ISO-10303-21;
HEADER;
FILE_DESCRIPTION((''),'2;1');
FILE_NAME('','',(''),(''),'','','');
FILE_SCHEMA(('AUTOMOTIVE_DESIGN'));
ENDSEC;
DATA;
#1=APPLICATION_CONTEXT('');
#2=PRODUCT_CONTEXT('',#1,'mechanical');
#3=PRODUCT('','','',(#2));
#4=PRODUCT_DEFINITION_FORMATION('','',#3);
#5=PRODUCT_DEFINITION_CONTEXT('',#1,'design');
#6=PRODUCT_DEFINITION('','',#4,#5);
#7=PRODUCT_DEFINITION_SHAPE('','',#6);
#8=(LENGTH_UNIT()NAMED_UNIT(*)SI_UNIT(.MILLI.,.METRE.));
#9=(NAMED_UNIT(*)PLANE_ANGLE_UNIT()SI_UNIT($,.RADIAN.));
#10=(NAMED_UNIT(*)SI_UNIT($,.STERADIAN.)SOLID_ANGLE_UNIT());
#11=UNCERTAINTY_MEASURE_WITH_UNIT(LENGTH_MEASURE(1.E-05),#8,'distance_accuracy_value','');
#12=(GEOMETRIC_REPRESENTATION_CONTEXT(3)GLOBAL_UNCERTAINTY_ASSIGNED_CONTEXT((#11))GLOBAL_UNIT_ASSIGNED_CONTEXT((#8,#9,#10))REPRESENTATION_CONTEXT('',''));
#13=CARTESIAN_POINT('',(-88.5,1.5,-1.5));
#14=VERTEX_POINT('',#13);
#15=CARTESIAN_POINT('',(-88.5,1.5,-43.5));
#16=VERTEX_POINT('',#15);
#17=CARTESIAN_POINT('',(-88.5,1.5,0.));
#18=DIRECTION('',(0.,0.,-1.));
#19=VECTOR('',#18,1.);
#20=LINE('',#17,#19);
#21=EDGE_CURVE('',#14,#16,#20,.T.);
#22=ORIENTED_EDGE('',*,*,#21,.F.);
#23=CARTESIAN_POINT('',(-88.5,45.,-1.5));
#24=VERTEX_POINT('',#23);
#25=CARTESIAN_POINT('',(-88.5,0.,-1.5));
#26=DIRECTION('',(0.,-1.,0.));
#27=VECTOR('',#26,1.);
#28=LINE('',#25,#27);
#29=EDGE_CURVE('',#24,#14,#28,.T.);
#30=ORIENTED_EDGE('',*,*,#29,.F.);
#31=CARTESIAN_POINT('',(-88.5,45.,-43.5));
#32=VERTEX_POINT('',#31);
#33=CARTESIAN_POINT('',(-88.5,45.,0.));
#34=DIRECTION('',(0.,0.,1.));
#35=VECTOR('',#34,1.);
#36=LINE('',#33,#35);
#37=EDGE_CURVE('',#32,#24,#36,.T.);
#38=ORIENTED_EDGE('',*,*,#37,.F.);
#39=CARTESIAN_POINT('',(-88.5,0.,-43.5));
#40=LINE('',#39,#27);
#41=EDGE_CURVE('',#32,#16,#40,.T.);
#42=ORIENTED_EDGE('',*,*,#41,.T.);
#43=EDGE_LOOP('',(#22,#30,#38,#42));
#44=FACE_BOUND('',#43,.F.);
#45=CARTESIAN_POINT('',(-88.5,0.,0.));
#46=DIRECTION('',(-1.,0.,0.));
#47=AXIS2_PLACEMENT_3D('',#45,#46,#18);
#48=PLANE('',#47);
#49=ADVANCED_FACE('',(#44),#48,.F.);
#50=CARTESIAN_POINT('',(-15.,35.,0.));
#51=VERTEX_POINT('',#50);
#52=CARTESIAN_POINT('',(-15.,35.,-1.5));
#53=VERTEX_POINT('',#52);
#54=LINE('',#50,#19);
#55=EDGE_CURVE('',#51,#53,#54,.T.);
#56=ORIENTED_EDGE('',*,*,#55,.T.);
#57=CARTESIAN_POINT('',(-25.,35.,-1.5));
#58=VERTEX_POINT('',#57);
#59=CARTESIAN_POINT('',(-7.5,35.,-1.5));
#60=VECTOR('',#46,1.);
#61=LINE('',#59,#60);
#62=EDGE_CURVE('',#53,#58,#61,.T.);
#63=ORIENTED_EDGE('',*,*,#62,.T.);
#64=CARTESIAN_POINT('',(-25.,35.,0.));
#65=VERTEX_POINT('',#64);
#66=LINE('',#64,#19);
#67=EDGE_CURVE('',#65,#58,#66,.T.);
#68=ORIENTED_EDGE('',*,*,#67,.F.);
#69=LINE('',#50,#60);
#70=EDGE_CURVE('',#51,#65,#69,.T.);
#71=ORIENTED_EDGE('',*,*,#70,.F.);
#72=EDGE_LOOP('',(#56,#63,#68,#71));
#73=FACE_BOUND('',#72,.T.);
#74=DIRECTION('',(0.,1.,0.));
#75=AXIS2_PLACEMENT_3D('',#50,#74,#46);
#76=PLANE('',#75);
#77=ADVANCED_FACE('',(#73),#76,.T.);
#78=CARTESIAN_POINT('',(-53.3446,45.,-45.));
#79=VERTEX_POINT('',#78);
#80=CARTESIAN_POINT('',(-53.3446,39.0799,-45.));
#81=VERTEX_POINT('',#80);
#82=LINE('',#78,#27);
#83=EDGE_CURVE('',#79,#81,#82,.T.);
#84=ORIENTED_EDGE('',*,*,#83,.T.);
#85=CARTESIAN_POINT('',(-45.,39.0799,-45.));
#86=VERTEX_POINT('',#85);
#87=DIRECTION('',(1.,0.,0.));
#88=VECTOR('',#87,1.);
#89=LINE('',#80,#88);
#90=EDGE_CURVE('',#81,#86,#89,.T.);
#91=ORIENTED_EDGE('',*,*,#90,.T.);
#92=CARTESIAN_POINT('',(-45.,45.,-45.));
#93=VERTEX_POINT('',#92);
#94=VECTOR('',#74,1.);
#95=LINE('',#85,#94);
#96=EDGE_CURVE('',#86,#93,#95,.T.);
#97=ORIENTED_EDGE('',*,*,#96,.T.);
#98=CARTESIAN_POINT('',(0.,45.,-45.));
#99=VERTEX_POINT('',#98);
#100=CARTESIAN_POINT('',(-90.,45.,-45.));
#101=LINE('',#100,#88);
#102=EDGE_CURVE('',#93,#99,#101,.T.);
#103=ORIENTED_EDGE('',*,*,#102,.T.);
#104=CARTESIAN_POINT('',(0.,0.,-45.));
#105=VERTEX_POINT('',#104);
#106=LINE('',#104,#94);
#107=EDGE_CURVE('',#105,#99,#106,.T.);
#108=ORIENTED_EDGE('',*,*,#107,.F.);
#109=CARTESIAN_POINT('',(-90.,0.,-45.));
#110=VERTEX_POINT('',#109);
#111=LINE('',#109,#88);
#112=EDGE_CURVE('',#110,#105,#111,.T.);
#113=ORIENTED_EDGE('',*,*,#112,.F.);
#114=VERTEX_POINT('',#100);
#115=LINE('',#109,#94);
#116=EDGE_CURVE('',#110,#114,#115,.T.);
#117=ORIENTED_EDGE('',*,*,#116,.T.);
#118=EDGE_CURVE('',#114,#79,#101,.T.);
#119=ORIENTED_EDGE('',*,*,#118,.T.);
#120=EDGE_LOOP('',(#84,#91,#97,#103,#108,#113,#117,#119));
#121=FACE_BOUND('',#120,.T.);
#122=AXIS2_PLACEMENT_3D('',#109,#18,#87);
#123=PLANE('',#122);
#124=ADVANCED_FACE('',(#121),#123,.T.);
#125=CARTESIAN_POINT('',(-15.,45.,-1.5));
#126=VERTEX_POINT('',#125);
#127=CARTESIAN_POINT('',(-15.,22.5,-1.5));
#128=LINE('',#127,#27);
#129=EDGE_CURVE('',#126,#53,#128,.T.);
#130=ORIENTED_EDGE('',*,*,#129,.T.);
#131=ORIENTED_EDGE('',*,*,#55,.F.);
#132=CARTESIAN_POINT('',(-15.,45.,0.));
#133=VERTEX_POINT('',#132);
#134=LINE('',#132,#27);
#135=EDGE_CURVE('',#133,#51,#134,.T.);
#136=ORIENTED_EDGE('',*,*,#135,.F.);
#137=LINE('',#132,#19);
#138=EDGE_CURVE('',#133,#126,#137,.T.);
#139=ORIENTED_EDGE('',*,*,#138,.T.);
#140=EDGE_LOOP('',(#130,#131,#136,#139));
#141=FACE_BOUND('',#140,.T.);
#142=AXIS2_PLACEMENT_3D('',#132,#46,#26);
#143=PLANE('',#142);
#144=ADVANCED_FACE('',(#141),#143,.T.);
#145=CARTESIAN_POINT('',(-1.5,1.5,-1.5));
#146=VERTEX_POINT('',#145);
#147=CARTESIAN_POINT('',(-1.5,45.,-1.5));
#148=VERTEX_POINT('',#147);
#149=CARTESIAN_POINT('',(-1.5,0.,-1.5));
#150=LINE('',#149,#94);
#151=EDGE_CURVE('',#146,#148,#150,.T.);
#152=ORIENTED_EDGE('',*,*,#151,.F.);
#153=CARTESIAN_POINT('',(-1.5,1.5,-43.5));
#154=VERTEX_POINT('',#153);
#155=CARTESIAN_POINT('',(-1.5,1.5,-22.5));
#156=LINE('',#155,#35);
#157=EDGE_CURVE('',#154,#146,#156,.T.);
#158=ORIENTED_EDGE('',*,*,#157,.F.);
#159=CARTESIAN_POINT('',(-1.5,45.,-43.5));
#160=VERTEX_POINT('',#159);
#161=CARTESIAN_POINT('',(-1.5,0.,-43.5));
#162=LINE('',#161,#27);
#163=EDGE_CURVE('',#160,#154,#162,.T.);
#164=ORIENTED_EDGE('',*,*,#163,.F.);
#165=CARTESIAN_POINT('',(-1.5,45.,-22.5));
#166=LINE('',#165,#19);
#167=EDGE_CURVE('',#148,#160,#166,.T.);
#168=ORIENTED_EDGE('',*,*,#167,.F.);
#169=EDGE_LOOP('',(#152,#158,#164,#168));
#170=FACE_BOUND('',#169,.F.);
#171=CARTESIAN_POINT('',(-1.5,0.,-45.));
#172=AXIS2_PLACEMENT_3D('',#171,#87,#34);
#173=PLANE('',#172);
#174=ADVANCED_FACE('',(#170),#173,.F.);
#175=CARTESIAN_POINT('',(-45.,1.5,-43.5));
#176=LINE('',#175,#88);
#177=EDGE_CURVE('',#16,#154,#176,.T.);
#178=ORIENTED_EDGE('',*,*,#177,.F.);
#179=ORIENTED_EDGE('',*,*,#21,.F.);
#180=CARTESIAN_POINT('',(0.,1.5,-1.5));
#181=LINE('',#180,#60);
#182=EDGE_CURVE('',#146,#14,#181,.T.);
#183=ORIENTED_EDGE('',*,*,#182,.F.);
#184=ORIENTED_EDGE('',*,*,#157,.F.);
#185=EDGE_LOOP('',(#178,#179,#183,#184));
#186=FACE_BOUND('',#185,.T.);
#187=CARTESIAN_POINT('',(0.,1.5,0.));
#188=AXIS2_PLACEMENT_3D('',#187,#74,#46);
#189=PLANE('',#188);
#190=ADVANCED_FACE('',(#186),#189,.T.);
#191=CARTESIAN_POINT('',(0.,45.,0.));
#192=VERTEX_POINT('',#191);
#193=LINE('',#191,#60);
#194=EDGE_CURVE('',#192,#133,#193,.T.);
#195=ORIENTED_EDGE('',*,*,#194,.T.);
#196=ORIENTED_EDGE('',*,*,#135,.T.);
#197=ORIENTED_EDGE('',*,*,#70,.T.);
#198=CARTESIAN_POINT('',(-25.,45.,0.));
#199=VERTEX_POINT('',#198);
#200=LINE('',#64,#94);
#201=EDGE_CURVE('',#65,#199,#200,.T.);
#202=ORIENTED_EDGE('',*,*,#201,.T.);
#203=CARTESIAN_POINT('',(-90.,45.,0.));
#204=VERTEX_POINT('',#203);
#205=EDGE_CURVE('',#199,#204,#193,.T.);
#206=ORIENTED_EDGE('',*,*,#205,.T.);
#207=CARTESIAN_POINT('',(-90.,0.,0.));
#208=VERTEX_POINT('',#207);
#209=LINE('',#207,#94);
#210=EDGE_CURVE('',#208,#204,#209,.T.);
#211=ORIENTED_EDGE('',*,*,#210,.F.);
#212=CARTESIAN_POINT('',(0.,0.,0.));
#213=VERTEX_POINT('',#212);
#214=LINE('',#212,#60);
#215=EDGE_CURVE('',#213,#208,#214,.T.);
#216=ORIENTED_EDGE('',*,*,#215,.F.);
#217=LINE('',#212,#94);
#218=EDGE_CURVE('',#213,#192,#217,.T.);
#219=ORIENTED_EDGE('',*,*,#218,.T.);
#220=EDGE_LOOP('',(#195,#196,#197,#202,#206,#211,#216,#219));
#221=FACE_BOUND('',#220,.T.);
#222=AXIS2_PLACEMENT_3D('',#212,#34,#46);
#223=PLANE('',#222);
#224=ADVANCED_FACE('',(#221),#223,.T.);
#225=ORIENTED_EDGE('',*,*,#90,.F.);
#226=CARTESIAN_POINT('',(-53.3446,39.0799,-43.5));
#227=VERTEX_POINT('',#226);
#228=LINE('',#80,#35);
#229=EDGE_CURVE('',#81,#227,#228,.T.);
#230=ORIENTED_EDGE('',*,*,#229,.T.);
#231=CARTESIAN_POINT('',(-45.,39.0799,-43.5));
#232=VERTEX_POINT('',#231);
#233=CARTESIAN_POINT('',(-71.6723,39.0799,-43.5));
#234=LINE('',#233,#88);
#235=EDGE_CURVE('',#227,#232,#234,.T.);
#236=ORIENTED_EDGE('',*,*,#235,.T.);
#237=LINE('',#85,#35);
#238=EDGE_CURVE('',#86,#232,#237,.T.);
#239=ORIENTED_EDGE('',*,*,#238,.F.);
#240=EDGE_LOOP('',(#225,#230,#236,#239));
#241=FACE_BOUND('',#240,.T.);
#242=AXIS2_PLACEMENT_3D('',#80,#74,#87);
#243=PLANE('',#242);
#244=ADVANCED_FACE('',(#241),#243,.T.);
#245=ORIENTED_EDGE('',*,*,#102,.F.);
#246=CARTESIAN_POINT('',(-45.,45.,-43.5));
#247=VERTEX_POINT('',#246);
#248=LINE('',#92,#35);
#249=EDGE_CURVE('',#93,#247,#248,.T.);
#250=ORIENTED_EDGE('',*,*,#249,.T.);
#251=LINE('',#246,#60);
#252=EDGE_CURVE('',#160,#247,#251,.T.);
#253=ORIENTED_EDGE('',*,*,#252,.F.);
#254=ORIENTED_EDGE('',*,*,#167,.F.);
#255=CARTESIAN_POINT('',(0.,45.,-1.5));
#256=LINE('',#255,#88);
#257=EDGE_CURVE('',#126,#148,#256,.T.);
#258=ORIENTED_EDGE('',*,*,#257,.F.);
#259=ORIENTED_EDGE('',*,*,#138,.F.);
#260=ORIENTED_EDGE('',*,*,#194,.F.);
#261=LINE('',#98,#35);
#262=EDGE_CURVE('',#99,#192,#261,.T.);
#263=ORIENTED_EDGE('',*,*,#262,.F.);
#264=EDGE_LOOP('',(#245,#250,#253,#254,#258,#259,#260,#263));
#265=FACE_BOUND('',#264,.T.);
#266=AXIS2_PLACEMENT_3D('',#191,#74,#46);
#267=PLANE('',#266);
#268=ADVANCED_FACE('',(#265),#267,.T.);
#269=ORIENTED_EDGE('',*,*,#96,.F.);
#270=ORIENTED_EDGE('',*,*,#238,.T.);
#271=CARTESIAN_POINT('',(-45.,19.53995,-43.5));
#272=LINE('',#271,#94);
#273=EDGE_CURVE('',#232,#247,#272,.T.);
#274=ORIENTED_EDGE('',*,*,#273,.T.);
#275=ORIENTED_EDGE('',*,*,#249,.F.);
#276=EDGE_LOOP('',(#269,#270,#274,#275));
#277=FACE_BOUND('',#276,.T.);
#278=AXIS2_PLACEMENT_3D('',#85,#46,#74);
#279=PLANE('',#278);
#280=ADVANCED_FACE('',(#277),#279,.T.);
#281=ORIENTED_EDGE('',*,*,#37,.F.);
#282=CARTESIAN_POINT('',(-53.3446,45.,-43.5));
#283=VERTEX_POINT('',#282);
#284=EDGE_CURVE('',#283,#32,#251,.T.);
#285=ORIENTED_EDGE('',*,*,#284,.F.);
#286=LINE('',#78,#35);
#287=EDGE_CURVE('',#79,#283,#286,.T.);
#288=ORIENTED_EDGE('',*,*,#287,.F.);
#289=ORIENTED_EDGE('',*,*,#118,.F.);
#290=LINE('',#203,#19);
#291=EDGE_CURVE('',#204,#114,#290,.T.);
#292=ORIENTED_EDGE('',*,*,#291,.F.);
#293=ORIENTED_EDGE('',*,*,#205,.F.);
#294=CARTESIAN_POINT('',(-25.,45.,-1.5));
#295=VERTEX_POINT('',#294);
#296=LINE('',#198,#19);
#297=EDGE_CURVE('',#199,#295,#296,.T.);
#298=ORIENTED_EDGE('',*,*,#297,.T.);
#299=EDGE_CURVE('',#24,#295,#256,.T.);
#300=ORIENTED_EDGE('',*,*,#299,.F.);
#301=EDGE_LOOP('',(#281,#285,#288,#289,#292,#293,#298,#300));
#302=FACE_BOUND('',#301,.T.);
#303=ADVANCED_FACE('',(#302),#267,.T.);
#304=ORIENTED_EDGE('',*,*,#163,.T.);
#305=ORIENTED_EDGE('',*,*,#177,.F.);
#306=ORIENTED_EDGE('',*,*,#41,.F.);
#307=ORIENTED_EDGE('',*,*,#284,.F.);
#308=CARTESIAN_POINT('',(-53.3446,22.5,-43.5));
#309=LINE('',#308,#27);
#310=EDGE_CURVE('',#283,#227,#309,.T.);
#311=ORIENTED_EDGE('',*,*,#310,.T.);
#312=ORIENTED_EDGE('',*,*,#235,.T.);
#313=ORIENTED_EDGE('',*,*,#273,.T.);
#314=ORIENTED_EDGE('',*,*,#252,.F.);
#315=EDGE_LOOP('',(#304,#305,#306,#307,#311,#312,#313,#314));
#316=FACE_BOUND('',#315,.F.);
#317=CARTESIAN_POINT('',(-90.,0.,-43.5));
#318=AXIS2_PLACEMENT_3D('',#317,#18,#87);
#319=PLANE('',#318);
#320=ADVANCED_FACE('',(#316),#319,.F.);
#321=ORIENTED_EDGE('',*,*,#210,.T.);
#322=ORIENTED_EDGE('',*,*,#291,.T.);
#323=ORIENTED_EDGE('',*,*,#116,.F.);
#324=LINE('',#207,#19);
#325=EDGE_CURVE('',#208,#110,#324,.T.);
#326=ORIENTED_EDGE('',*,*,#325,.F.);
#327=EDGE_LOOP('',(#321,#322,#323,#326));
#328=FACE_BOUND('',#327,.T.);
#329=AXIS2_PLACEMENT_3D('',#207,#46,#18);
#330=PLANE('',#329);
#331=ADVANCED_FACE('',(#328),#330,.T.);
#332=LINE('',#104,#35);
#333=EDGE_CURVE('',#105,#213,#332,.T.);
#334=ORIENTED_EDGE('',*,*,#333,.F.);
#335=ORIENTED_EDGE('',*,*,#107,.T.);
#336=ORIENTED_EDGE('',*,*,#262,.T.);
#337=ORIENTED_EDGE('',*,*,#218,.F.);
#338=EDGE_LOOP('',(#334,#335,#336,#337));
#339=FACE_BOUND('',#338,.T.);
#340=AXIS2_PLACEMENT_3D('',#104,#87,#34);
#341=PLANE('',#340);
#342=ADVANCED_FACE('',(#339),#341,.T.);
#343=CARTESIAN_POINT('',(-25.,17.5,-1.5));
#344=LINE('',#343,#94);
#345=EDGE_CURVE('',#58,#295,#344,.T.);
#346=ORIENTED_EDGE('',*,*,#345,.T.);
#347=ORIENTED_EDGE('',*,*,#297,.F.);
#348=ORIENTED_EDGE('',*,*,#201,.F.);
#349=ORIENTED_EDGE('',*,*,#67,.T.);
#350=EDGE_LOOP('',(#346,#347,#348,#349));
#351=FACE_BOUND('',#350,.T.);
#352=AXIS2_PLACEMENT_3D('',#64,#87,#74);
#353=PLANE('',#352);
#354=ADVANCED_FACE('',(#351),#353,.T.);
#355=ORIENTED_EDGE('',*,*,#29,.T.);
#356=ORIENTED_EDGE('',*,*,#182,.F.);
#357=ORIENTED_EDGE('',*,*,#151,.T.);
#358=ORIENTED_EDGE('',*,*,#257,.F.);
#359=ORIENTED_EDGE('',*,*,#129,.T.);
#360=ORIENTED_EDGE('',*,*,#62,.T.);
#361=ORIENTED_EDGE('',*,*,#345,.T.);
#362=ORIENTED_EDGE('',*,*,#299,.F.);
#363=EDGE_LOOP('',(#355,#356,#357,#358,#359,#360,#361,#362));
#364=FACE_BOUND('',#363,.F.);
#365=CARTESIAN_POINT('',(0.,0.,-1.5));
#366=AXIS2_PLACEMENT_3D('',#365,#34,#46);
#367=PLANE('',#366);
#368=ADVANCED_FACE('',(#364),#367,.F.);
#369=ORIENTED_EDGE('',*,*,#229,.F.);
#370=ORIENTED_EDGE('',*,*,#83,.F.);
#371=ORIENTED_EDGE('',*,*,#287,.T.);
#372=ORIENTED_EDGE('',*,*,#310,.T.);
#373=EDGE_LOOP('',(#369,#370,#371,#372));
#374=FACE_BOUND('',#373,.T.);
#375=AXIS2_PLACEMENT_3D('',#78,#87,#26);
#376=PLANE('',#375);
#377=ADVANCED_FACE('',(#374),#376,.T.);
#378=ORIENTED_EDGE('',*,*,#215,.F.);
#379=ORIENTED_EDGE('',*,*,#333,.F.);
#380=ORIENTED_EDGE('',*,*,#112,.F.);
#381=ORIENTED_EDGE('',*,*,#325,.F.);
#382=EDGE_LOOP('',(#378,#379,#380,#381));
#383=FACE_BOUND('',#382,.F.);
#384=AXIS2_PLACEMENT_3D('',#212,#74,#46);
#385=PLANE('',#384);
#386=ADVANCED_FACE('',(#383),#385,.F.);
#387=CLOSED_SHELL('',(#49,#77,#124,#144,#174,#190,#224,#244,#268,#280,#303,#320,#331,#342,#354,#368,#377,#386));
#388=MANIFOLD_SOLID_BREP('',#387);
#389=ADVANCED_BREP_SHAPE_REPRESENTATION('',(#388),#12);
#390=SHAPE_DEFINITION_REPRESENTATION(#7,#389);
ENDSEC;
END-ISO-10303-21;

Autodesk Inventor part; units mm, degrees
ref_plane "YZ Plane" through (0, 0, 0) normal (1, 0, 0) x (0, 1, 0)
ref_plane "XZ Plane" through (0, 0, 0) normal (0, 1, 0) x (-1, 0, 0)
ref_plane "XY Plane" through (0, 0, 0) normal (0, 0, 1) x (1, 0, 0)
sketch "Sketch1" plane through (0, 0, 0) normal (0, 1, 0) x (-1, 0, 0)
  line L0 (0, 0) -> (90, 0)
  line L1 (90, 0) -> (90, -45)
  line L2 (90, -45) -> (0, -45)
  line L3 (0, -45) -> (0, 0)
  dimension "d0" = 90
  dimension "d1" = 45
extrude "Extrusion1" add sketch "Sketch1" along normal blind 45
sketch "Sketch2" plane through (0, 45, 0) normal (0, 1, 0) x (1, 0, 0)
  point P0 (0, 0)
shell "Shell1" thickness 1.5 removed faces 1 at (-30, 45, -15)
sketch "Sketch3" plane through (-90, 0, 0) normal (0, 0, 1) x (1, 0, 0)
  line L0 (75, 35) -> (65, 35)
  line L1 (1.5, 45) -> (88.5, 45) projected
  line L2 (75, 35) -> (65, 35)
  line L3 (65, 35) -> (65, 45)
  line L4 (65, 45) -> (75, 45)
  line L5 (75, 45) -> (75, 35)
  point P0 (90, 0)
extrude "Extrusion2" cut sketch "Sketch3" against normal blind 10
sketch "Sketch4" plane through (0, 0, -45) normal (0, 0, -1) x (-1, 0, 0)
  line L0 (45, 45) -> (53.3446, 45)
  line L1 (53.3446, 45) -> (53.3446, 39.0799)
  line L2 (53.3446, 39.0799) -> (45, 39.0799)
  line L3 (45, 39.0799) -> (45, 45)
  point P0 (0, 0)
extrude "Extrusion3" cut sketch "Sketch4" against normal blind 10
properties part number "Scannerboxbottom"
